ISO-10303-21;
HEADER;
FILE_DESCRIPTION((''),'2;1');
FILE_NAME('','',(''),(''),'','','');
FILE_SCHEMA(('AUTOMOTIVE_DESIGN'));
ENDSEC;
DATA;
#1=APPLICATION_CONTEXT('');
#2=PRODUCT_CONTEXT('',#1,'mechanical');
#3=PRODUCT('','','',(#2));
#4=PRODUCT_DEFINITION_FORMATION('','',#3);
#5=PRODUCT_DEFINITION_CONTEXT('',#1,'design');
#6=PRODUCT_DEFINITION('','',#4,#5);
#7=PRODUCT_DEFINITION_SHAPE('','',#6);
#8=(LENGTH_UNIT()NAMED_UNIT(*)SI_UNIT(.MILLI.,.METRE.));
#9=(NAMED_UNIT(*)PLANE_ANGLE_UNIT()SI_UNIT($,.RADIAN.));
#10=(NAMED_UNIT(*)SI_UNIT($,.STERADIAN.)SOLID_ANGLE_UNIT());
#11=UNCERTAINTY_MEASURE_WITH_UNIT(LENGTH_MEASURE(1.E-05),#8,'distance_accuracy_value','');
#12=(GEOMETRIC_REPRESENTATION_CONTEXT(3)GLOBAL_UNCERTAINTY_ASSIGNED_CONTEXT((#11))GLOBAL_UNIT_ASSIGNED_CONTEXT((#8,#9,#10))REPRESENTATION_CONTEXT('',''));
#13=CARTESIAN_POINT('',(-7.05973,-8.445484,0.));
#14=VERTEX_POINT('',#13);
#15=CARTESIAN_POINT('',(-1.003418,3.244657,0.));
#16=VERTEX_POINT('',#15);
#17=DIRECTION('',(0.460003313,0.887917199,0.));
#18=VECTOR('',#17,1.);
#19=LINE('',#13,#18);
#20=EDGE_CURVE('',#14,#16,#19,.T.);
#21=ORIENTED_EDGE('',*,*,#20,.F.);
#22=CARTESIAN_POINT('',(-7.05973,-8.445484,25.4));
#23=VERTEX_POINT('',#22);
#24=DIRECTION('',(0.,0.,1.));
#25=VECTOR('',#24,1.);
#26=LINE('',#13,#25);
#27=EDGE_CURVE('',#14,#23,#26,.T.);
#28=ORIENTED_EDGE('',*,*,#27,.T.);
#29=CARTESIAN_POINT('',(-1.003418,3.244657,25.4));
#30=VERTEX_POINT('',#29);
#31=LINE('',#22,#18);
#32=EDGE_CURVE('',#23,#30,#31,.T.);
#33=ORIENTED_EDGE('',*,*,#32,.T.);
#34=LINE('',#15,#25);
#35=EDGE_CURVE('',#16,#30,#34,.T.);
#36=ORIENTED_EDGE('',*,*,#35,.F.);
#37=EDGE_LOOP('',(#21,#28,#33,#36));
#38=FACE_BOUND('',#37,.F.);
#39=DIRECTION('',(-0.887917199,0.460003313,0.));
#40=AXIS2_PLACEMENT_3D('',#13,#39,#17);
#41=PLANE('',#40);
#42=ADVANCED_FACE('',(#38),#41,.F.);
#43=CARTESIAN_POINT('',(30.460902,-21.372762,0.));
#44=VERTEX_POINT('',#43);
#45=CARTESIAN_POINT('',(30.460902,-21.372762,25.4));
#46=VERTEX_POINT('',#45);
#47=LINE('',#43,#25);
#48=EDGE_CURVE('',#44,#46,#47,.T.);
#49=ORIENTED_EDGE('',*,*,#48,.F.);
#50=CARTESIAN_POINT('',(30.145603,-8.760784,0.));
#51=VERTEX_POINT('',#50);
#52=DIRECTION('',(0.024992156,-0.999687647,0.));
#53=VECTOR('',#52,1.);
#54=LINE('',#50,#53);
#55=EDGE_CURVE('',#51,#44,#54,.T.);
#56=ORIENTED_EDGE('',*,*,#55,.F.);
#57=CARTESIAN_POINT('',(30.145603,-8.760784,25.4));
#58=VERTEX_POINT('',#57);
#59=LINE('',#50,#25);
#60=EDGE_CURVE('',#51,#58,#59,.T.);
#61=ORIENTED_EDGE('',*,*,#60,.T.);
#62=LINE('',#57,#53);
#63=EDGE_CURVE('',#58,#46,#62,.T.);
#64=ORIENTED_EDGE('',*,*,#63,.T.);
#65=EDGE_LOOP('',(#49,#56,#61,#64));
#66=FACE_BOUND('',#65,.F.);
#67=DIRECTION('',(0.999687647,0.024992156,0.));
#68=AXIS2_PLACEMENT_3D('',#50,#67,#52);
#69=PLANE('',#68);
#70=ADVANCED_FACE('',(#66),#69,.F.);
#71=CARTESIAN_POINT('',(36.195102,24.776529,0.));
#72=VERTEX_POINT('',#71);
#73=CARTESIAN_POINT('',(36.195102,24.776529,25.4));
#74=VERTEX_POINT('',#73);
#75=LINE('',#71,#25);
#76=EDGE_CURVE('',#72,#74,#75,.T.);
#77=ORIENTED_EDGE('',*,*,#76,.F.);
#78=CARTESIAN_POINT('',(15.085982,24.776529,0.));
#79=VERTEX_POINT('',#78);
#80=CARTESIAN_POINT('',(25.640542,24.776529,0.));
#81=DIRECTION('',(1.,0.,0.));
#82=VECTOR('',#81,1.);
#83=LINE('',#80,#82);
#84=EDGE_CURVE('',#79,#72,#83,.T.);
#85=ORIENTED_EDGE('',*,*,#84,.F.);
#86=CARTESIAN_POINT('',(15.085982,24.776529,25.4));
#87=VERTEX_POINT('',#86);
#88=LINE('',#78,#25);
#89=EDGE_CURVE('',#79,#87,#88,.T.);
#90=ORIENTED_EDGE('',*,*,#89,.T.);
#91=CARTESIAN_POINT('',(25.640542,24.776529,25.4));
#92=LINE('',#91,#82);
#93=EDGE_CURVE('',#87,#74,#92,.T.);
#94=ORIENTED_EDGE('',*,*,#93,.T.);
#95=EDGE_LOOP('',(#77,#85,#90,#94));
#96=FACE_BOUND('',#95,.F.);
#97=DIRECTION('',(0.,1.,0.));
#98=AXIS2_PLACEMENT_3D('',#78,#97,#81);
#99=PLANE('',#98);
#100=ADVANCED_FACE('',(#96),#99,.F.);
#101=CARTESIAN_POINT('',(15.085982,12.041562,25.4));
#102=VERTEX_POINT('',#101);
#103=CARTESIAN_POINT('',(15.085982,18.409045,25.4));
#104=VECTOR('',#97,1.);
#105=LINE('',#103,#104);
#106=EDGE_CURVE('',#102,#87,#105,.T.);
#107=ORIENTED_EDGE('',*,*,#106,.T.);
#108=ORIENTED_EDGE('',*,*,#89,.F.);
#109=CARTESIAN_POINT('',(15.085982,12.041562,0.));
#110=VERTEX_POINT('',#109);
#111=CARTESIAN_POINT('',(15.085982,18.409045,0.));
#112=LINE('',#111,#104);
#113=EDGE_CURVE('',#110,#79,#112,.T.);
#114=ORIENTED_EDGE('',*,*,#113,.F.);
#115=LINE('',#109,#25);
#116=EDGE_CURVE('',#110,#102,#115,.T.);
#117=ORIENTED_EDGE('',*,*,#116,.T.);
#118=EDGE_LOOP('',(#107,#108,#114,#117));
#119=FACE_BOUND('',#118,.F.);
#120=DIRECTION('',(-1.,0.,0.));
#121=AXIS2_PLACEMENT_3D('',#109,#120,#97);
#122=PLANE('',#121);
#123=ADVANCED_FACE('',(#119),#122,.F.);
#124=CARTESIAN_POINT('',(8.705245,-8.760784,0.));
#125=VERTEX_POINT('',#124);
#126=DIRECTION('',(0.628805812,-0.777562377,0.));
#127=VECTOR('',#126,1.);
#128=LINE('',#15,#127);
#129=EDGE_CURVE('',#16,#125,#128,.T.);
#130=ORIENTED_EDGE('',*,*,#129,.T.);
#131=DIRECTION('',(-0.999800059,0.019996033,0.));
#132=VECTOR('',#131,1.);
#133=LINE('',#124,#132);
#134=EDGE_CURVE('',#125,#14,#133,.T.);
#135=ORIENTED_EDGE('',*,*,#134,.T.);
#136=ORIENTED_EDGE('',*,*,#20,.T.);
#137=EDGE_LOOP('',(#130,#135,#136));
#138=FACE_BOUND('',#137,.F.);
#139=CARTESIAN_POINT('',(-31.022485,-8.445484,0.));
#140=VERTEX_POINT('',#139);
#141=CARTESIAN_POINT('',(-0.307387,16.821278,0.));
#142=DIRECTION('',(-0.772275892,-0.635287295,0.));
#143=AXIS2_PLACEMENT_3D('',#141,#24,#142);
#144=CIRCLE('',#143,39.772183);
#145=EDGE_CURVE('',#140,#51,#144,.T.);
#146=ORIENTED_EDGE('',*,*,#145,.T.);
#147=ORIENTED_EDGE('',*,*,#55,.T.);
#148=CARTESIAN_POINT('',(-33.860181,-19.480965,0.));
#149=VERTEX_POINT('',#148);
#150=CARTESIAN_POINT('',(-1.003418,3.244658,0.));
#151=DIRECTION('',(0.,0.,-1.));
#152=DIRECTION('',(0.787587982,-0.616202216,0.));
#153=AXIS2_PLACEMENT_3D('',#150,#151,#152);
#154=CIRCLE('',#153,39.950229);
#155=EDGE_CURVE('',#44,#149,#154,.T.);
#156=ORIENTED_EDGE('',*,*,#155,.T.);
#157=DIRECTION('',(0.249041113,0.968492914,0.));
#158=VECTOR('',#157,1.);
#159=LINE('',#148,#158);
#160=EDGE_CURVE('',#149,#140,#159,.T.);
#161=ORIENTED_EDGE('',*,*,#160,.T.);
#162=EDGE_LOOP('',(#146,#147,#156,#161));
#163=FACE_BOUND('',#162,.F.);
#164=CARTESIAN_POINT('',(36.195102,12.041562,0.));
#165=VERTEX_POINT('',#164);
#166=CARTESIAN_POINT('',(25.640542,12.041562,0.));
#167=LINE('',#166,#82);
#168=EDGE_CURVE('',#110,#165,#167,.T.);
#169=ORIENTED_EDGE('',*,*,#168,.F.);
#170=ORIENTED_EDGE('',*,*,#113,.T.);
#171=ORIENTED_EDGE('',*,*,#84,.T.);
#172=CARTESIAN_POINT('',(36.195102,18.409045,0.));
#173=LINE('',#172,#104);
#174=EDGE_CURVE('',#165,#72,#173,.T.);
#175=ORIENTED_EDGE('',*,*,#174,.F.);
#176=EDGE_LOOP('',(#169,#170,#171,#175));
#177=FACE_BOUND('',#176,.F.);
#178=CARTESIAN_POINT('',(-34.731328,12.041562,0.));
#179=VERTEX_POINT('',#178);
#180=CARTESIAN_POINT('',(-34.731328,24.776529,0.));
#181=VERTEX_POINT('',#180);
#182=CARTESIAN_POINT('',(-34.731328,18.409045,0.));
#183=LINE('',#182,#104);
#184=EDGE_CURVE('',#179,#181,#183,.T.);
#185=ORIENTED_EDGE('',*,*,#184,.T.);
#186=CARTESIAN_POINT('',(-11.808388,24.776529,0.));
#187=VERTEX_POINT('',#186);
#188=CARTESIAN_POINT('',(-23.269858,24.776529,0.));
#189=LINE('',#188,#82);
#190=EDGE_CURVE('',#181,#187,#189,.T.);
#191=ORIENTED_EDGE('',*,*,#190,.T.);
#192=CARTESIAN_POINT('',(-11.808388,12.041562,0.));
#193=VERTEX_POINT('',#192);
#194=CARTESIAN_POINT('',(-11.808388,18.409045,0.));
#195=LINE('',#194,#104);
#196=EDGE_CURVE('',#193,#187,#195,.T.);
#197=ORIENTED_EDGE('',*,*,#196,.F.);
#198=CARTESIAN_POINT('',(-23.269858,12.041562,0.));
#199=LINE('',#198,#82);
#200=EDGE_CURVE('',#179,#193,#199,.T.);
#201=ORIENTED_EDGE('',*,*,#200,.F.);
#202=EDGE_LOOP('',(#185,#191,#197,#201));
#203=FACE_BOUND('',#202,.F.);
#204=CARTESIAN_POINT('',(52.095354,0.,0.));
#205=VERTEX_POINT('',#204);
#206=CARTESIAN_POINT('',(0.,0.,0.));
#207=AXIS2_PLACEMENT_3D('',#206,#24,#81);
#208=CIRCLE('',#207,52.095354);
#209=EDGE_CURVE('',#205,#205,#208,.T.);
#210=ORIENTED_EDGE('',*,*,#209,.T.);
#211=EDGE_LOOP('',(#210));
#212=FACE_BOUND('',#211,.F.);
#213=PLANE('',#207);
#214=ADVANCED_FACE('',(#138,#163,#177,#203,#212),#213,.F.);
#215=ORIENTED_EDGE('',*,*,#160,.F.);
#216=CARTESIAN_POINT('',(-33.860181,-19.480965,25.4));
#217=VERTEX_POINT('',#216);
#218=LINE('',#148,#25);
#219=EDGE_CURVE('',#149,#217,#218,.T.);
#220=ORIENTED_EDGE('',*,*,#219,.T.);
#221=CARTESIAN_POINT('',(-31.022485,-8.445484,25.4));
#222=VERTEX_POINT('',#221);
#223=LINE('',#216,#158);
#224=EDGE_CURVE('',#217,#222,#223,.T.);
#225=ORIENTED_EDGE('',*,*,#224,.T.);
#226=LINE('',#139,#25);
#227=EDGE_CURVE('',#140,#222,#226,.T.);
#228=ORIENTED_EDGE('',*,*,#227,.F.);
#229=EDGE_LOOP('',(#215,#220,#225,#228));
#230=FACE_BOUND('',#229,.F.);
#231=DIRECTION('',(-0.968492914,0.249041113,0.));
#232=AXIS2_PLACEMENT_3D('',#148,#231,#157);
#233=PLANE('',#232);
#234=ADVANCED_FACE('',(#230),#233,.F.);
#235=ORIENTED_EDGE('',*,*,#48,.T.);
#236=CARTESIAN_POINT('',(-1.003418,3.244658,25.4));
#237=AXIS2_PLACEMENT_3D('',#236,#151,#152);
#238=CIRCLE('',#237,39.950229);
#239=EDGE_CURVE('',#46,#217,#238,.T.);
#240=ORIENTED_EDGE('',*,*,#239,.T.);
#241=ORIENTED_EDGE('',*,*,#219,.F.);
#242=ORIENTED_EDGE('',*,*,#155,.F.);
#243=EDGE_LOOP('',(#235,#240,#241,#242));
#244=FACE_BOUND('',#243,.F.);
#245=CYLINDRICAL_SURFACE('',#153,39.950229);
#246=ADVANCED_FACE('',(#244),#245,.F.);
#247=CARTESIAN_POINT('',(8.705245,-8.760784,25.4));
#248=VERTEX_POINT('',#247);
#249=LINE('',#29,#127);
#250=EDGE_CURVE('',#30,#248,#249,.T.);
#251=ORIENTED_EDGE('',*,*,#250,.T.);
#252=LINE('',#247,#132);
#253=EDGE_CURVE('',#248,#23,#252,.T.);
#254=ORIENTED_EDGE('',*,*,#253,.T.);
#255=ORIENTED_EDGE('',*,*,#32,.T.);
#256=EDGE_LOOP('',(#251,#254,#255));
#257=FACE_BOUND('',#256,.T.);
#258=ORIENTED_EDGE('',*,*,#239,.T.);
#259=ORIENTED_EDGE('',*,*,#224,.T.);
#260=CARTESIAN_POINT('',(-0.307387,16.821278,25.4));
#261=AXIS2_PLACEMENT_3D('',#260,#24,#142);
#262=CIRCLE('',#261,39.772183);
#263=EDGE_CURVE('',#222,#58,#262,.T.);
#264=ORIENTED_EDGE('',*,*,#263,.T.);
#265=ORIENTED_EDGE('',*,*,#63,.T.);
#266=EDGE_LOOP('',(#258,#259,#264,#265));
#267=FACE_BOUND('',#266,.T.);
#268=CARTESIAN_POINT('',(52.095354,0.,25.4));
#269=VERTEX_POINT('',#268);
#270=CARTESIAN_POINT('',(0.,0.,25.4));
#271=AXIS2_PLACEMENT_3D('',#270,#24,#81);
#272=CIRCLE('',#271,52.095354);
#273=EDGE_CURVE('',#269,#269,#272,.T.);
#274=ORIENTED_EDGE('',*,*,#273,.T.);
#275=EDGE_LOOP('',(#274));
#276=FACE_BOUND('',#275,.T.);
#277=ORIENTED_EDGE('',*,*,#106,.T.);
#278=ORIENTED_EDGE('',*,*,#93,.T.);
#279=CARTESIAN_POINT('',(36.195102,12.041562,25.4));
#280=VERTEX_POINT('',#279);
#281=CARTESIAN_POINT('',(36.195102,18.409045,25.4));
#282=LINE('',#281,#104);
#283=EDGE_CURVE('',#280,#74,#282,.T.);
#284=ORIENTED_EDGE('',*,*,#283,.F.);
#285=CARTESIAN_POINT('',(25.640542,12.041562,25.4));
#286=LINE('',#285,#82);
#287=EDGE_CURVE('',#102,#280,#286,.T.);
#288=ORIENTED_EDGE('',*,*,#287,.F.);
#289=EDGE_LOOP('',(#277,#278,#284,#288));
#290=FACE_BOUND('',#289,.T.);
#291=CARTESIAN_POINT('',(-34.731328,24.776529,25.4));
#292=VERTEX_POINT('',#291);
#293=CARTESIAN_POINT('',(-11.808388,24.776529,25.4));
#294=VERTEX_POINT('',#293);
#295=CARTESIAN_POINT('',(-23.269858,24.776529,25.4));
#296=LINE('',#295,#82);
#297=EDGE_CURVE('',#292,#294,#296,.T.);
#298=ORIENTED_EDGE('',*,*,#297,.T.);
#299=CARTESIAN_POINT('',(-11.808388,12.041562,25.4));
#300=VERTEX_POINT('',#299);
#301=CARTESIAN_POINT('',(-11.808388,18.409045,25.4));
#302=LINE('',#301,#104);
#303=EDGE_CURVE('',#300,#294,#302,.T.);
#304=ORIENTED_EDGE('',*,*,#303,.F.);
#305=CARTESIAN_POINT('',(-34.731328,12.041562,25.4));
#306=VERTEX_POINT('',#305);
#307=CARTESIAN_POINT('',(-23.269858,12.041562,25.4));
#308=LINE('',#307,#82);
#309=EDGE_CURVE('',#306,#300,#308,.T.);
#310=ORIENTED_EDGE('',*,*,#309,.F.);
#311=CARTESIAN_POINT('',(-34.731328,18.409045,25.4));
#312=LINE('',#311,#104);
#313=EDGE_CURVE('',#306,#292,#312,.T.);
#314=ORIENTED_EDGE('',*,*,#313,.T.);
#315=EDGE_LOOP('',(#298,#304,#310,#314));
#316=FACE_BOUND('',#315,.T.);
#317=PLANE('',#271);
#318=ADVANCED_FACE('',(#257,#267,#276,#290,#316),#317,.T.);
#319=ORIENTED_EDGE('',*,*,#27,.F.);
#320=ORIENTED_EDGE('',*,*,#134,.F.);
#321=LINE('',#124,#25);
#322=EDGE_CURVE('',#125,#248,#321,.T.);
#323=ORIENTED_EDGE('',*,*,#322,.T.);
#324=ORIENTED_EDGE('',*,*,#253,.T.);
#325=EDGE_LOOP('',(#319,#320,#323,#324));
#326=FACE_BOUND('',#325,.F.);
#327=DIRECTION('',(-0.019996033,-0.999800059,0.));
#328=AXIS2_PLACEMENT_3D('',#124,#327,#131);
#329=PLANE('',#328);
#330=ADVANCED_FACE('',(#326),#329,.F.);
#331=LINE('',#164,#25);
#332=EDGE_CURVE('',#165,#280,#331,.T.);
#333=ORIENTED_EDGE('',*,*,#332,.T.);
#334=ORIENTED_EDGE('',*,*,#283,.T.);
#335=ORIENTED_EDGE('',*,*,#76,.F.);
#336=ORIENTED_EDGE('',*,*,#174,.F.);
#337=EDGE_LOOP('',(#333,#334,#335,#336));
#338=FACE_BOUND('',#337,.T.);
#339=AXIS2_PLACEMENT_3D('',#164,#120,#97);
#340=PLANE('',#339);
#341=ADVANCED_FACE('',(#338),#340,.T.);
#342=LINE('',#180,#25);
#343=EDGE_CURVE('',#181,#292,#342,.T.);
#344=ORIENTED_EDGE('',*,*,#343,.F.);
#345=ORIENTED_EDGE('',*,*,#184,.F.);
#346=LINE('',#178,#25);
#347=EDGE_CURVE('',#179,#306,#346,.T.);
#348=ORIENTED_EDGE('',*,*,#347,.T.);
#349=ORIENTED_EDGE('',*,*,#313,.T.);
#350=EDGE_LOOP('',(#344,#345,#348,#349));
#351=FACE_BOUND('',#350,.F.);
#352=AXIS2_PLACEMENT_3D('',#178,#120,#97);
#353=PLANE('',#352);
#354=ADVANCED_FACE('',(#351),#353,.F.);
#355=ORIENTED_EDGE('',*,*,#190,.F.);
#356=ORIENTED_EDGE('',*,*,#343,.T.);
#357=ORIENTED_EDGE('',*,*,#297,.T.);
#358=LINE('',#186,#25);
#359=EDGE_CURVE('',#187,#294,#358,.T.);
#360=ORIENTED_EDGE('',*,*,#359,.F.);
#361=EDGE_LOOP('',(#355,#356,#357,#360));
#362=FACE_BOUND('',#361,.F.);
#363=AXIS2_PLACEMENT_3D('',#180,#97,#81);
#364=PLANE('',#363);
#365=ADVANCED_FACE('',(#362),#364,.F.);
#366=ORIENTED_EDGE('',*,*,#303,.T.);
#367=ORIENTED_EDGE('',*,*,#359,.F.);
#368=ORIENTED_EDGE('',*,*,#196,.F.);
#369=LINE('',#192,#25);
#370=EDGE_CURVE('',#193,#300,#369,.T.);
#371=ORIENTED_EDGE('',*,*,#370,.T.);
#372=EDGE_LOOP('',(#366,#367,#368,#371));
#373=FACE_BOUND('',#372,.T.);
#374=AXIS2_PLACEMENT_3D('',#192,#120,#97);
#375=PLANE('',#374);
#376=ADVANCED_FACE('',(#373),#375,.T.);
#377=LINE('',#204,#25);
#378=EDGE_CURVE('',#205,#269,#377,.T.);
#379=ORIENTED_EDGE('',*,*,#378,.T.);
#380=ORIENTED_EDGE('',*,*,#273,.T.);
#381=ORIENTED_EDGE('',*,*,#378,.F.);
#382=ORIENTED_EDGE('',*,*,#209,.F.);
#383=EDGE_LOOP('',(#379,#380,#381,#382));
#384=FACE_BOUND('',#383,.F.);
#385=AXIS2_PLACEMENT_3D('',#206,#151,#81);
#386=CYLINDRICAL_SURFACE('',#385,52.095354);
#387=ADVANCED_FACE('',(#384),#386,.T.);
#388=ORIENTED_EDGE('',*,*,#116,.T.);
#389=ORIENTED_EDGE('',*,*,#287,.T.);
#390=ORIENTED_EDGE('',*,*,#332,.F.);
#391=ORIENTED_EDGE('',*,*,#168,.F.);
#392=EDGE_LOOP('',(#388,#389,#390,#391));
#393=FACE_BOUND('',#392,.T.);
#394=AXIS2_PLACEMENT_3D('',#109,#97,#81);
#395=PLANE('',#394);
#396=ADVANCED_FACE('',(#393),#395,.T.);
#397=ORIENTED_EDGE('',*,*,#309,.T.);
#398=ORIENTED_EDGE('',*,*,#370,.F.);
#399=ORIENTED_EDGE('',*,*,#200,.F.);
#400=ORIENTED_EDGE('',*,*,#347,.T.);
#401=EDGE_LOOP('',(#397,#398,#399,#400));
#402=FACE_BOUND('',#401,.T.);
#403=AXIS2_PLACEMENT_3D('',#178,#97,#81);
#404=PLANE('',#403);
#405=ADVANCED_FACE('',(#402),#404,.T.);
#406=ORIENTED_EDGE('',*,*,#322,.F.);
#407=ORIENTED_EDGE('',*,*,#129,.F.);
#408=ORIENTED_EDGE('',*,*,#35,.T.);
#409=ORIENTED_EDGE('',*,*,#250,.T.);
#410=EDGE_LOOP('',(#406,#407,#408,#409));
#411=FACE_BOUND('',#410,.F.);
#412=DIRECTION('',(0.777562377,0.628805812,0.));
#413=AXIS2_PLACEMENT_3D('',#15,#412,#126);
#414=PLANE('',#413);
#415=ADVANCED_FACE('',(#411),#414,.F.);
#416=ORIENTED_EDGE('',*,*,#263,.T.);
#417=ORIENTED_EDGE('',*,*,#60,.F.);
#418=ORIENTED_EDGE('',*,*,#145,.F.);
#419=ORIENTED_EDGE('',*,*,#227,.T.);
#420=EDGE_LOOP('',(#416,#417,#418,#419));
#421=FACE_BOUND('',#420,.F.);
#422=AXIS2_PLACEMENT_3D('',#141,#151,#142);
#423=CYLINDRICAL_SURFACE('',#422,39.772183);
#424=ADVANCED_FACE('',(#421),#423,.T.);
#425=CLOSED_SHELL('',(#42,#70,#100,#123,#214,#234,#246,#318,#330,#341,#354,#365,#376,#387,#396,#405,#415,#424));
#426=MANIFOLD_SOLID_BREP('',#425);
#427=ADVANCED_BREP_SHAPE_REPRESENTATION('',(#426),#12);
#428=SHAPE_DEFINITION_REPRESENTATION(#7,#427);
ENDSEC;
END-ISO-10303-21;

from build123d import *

# Parameters (mm, degrees)
F0_R     = 52.095354
F0_W     = 22.922941
F0_H     = 12.734967
F0_W_2   = 21.10912
F1_DEPTH = 25.4


with BuildPart() as f1:
    # F0 (on Top) → F1 (new body)
    with BuildSketch(Plane.XY):
        Circle(F0_R)
        with BuildLine():
            ThreePointArc((30.460902, -21.372762), (-2.177917, -36.688303), (-33.860181, -19.480965))
            Line((-33.860181, -19.480965), (-31.022485, -8.445484))
            ThreePointArc((-31.022485, -8.445484), (-0.512396, -22.950376), (30.145603, -8.760784))
            Line((30.145603, -8.760784), (30.460902, -21.372762))
        make_face(mode=Mode.SUBTRACT)
        Polygon((-7.05973, -8.445484), (-1.003418, 3.244657), (8.705245, -8.760784), align=None, mode=Mode.SUBTRACT)
        with Locations((-23.269858, 18.409045)):
            Rectangle(F0_W, F0_H, mode=Mode.SUBTRACT)
        with Locations((25.640542, 18.409045)):
            Rectangle(F0_W_2, F0_H, mode=Mode.SUBTRACT)
    extrude(amount=F1_DEPTH)


solid = f1.part
